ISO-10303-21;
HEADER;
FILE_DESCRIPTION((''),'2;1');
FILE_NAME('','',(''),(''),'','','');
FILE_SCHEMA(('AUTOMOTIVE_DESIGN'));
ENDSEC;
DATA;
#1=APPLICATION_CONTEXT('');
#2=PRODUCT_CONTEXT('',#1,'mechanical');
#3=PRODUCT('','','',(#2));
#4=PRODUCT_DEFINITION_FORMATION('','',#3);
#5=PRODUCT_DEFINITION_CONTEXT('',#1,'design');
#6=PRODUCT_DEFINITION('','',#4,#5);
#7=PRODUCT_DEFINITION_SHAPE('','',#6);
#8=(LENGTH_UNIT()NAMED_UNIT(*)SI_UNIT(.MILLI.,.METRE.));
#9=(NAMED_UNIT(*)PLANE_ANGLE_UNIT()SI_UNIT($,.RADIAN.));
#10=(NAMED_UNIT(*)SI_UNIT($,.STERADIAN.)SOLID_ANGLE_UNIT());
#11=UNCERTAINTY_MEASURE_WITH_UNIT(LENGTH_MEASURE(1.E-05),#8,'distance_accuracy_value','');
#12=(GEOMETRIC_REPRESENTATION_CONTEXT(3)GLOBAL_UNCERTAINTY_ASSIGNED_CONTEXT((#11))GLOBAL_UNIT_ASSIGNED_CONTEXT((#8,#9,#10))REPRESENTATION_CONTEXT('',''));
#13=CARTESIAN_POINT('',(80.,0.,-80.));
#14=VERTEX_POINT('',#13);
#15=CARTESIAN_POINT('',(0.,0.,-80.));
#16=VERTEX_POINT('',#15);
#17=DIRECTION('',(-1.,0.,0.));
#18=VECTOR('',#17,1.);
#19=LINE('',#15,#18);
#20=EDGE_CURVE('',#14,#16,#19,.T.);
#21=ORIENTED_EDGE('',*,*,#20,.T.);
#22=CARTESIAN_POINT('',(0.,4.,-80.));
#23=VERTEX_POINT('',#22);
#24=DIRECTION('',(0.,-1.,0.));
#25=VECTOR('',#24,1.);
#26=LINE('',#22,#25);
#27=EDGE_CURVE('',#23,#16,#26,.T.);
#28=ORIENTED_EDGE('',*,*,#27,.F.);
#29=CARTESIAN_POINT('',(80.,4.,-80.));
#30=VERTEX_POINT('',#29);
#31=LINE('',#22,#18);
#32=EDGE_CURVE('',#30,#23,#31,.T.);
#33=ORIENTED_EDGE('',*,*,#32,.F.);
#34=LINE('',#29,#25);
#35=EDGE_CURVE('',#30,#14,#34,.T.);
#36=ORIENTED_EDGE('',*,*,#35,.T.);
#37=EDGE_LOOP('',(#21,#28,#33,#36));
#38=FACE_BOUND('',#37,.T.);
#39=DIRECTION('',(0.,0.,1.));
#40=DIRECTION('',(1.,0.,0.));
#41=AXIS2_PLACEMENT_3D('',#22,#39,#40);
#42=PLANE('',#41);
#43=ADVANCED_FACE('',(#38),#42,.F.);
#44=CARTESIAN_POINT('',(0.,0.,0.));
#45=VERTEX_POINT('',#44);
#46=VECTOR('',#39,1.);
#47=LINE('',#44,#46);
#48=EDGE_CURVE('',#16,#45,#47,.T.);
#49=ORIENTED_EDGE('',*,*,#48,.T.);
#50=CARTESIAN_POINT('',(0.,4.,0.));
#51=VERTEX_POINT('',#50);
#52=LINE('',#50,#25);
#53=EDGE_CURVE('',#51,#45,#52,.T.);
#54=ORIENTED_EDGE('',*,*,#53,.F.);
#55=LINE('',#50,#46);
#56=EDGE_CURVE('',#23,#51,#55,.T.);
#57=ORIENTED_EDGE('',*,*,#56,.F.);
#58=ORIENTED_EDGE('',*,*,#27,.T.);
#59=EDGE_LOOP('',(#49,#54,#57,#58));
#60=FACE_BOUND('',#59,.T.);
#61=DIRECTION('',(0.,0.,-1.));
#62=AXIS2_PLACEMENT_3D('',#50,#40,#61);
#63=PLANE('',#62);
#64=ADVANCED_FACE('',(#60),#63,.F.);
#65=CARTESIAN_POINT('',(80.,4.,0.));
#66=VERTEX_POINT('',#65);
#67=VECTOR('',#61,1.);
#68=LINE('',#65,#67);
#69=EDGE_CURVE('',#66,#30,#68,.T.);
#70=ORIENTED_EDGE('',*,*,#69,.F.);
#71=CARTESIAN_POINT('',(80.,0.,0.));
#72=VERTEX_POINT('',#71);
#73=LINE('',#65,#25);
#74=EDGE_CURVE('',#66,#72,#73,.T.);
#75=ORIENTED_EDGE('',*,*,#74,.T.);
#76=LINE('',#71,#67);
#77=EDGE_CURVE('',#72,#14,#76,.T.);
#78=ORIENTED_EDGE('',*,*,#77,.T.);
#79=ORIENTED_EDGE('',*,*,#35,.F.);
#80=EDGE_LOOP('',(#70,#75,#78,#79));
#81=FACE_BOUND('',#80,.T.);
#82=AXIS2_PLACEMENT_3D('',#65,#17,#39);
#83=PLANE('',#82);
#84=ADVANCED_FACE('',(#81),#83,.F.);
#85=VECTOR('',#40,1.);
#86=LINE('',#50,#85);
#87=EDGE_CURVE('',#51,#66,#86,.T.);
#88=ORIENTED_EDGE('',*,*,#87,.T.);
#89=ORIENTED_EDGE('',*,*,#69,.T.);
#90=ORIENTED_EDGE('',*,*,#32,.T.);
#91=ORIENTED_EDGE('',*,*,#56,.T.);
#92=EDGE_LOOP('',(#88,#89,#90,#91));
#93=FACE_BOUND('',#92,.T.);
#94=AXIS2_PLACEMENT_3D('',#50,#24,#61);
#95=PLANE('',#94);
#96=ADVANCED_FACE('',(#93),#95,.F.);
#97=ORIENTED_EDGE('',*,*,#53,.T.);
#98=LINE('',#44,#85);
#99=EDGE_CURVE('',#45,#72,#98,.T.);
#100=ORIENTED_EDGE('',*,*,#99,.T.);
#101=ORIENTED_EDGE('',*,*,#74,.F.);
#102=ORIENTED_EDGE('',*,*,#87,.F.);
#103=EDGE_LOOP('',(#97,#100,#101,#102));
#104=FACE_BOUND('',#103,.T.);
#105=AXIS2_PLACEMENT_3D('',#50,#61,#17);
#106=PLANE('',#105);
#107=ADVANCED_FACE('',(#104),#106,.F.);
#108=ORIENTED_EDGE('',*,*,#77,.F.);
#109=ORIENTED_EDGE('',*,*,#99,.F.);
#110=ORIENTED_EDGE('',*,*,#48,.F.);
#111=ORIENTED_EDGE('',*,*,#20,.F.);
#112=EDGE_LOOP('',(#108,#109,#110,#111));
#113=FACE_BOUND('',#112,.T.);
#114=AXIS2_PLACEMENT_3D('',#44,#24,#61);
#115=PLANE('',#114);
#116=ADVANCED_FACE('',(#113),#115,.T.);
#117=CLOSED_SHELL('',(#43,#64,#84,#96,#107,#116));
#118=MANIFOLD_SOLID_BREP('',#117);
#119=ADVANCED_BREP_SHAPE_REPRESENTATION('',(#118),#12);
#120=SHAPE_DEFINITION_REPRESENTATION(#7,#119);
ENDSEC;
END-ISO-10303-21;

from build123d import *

# Parameters (mm, degrees)
SKETCH1_W           = 80
SKETCH1_H           = 80
BOSS_EXTRUDE1_DEPTH = 4


with BuildPart() as part:
    # Sketch1 → Boss-Extrude1 (new body)
    with BuildSketch(Plane(origin=(0, 0, 0), x_dir=(1, 0, 0), z_dir=(0, 1, 0))):
        with Locations((40, 40)):
            Rectangle(SKETCH1_W, SKETCH1_H)
    extrude(amount=BOSS_EXTRUDE1_DEPTH)


solid = part.part
